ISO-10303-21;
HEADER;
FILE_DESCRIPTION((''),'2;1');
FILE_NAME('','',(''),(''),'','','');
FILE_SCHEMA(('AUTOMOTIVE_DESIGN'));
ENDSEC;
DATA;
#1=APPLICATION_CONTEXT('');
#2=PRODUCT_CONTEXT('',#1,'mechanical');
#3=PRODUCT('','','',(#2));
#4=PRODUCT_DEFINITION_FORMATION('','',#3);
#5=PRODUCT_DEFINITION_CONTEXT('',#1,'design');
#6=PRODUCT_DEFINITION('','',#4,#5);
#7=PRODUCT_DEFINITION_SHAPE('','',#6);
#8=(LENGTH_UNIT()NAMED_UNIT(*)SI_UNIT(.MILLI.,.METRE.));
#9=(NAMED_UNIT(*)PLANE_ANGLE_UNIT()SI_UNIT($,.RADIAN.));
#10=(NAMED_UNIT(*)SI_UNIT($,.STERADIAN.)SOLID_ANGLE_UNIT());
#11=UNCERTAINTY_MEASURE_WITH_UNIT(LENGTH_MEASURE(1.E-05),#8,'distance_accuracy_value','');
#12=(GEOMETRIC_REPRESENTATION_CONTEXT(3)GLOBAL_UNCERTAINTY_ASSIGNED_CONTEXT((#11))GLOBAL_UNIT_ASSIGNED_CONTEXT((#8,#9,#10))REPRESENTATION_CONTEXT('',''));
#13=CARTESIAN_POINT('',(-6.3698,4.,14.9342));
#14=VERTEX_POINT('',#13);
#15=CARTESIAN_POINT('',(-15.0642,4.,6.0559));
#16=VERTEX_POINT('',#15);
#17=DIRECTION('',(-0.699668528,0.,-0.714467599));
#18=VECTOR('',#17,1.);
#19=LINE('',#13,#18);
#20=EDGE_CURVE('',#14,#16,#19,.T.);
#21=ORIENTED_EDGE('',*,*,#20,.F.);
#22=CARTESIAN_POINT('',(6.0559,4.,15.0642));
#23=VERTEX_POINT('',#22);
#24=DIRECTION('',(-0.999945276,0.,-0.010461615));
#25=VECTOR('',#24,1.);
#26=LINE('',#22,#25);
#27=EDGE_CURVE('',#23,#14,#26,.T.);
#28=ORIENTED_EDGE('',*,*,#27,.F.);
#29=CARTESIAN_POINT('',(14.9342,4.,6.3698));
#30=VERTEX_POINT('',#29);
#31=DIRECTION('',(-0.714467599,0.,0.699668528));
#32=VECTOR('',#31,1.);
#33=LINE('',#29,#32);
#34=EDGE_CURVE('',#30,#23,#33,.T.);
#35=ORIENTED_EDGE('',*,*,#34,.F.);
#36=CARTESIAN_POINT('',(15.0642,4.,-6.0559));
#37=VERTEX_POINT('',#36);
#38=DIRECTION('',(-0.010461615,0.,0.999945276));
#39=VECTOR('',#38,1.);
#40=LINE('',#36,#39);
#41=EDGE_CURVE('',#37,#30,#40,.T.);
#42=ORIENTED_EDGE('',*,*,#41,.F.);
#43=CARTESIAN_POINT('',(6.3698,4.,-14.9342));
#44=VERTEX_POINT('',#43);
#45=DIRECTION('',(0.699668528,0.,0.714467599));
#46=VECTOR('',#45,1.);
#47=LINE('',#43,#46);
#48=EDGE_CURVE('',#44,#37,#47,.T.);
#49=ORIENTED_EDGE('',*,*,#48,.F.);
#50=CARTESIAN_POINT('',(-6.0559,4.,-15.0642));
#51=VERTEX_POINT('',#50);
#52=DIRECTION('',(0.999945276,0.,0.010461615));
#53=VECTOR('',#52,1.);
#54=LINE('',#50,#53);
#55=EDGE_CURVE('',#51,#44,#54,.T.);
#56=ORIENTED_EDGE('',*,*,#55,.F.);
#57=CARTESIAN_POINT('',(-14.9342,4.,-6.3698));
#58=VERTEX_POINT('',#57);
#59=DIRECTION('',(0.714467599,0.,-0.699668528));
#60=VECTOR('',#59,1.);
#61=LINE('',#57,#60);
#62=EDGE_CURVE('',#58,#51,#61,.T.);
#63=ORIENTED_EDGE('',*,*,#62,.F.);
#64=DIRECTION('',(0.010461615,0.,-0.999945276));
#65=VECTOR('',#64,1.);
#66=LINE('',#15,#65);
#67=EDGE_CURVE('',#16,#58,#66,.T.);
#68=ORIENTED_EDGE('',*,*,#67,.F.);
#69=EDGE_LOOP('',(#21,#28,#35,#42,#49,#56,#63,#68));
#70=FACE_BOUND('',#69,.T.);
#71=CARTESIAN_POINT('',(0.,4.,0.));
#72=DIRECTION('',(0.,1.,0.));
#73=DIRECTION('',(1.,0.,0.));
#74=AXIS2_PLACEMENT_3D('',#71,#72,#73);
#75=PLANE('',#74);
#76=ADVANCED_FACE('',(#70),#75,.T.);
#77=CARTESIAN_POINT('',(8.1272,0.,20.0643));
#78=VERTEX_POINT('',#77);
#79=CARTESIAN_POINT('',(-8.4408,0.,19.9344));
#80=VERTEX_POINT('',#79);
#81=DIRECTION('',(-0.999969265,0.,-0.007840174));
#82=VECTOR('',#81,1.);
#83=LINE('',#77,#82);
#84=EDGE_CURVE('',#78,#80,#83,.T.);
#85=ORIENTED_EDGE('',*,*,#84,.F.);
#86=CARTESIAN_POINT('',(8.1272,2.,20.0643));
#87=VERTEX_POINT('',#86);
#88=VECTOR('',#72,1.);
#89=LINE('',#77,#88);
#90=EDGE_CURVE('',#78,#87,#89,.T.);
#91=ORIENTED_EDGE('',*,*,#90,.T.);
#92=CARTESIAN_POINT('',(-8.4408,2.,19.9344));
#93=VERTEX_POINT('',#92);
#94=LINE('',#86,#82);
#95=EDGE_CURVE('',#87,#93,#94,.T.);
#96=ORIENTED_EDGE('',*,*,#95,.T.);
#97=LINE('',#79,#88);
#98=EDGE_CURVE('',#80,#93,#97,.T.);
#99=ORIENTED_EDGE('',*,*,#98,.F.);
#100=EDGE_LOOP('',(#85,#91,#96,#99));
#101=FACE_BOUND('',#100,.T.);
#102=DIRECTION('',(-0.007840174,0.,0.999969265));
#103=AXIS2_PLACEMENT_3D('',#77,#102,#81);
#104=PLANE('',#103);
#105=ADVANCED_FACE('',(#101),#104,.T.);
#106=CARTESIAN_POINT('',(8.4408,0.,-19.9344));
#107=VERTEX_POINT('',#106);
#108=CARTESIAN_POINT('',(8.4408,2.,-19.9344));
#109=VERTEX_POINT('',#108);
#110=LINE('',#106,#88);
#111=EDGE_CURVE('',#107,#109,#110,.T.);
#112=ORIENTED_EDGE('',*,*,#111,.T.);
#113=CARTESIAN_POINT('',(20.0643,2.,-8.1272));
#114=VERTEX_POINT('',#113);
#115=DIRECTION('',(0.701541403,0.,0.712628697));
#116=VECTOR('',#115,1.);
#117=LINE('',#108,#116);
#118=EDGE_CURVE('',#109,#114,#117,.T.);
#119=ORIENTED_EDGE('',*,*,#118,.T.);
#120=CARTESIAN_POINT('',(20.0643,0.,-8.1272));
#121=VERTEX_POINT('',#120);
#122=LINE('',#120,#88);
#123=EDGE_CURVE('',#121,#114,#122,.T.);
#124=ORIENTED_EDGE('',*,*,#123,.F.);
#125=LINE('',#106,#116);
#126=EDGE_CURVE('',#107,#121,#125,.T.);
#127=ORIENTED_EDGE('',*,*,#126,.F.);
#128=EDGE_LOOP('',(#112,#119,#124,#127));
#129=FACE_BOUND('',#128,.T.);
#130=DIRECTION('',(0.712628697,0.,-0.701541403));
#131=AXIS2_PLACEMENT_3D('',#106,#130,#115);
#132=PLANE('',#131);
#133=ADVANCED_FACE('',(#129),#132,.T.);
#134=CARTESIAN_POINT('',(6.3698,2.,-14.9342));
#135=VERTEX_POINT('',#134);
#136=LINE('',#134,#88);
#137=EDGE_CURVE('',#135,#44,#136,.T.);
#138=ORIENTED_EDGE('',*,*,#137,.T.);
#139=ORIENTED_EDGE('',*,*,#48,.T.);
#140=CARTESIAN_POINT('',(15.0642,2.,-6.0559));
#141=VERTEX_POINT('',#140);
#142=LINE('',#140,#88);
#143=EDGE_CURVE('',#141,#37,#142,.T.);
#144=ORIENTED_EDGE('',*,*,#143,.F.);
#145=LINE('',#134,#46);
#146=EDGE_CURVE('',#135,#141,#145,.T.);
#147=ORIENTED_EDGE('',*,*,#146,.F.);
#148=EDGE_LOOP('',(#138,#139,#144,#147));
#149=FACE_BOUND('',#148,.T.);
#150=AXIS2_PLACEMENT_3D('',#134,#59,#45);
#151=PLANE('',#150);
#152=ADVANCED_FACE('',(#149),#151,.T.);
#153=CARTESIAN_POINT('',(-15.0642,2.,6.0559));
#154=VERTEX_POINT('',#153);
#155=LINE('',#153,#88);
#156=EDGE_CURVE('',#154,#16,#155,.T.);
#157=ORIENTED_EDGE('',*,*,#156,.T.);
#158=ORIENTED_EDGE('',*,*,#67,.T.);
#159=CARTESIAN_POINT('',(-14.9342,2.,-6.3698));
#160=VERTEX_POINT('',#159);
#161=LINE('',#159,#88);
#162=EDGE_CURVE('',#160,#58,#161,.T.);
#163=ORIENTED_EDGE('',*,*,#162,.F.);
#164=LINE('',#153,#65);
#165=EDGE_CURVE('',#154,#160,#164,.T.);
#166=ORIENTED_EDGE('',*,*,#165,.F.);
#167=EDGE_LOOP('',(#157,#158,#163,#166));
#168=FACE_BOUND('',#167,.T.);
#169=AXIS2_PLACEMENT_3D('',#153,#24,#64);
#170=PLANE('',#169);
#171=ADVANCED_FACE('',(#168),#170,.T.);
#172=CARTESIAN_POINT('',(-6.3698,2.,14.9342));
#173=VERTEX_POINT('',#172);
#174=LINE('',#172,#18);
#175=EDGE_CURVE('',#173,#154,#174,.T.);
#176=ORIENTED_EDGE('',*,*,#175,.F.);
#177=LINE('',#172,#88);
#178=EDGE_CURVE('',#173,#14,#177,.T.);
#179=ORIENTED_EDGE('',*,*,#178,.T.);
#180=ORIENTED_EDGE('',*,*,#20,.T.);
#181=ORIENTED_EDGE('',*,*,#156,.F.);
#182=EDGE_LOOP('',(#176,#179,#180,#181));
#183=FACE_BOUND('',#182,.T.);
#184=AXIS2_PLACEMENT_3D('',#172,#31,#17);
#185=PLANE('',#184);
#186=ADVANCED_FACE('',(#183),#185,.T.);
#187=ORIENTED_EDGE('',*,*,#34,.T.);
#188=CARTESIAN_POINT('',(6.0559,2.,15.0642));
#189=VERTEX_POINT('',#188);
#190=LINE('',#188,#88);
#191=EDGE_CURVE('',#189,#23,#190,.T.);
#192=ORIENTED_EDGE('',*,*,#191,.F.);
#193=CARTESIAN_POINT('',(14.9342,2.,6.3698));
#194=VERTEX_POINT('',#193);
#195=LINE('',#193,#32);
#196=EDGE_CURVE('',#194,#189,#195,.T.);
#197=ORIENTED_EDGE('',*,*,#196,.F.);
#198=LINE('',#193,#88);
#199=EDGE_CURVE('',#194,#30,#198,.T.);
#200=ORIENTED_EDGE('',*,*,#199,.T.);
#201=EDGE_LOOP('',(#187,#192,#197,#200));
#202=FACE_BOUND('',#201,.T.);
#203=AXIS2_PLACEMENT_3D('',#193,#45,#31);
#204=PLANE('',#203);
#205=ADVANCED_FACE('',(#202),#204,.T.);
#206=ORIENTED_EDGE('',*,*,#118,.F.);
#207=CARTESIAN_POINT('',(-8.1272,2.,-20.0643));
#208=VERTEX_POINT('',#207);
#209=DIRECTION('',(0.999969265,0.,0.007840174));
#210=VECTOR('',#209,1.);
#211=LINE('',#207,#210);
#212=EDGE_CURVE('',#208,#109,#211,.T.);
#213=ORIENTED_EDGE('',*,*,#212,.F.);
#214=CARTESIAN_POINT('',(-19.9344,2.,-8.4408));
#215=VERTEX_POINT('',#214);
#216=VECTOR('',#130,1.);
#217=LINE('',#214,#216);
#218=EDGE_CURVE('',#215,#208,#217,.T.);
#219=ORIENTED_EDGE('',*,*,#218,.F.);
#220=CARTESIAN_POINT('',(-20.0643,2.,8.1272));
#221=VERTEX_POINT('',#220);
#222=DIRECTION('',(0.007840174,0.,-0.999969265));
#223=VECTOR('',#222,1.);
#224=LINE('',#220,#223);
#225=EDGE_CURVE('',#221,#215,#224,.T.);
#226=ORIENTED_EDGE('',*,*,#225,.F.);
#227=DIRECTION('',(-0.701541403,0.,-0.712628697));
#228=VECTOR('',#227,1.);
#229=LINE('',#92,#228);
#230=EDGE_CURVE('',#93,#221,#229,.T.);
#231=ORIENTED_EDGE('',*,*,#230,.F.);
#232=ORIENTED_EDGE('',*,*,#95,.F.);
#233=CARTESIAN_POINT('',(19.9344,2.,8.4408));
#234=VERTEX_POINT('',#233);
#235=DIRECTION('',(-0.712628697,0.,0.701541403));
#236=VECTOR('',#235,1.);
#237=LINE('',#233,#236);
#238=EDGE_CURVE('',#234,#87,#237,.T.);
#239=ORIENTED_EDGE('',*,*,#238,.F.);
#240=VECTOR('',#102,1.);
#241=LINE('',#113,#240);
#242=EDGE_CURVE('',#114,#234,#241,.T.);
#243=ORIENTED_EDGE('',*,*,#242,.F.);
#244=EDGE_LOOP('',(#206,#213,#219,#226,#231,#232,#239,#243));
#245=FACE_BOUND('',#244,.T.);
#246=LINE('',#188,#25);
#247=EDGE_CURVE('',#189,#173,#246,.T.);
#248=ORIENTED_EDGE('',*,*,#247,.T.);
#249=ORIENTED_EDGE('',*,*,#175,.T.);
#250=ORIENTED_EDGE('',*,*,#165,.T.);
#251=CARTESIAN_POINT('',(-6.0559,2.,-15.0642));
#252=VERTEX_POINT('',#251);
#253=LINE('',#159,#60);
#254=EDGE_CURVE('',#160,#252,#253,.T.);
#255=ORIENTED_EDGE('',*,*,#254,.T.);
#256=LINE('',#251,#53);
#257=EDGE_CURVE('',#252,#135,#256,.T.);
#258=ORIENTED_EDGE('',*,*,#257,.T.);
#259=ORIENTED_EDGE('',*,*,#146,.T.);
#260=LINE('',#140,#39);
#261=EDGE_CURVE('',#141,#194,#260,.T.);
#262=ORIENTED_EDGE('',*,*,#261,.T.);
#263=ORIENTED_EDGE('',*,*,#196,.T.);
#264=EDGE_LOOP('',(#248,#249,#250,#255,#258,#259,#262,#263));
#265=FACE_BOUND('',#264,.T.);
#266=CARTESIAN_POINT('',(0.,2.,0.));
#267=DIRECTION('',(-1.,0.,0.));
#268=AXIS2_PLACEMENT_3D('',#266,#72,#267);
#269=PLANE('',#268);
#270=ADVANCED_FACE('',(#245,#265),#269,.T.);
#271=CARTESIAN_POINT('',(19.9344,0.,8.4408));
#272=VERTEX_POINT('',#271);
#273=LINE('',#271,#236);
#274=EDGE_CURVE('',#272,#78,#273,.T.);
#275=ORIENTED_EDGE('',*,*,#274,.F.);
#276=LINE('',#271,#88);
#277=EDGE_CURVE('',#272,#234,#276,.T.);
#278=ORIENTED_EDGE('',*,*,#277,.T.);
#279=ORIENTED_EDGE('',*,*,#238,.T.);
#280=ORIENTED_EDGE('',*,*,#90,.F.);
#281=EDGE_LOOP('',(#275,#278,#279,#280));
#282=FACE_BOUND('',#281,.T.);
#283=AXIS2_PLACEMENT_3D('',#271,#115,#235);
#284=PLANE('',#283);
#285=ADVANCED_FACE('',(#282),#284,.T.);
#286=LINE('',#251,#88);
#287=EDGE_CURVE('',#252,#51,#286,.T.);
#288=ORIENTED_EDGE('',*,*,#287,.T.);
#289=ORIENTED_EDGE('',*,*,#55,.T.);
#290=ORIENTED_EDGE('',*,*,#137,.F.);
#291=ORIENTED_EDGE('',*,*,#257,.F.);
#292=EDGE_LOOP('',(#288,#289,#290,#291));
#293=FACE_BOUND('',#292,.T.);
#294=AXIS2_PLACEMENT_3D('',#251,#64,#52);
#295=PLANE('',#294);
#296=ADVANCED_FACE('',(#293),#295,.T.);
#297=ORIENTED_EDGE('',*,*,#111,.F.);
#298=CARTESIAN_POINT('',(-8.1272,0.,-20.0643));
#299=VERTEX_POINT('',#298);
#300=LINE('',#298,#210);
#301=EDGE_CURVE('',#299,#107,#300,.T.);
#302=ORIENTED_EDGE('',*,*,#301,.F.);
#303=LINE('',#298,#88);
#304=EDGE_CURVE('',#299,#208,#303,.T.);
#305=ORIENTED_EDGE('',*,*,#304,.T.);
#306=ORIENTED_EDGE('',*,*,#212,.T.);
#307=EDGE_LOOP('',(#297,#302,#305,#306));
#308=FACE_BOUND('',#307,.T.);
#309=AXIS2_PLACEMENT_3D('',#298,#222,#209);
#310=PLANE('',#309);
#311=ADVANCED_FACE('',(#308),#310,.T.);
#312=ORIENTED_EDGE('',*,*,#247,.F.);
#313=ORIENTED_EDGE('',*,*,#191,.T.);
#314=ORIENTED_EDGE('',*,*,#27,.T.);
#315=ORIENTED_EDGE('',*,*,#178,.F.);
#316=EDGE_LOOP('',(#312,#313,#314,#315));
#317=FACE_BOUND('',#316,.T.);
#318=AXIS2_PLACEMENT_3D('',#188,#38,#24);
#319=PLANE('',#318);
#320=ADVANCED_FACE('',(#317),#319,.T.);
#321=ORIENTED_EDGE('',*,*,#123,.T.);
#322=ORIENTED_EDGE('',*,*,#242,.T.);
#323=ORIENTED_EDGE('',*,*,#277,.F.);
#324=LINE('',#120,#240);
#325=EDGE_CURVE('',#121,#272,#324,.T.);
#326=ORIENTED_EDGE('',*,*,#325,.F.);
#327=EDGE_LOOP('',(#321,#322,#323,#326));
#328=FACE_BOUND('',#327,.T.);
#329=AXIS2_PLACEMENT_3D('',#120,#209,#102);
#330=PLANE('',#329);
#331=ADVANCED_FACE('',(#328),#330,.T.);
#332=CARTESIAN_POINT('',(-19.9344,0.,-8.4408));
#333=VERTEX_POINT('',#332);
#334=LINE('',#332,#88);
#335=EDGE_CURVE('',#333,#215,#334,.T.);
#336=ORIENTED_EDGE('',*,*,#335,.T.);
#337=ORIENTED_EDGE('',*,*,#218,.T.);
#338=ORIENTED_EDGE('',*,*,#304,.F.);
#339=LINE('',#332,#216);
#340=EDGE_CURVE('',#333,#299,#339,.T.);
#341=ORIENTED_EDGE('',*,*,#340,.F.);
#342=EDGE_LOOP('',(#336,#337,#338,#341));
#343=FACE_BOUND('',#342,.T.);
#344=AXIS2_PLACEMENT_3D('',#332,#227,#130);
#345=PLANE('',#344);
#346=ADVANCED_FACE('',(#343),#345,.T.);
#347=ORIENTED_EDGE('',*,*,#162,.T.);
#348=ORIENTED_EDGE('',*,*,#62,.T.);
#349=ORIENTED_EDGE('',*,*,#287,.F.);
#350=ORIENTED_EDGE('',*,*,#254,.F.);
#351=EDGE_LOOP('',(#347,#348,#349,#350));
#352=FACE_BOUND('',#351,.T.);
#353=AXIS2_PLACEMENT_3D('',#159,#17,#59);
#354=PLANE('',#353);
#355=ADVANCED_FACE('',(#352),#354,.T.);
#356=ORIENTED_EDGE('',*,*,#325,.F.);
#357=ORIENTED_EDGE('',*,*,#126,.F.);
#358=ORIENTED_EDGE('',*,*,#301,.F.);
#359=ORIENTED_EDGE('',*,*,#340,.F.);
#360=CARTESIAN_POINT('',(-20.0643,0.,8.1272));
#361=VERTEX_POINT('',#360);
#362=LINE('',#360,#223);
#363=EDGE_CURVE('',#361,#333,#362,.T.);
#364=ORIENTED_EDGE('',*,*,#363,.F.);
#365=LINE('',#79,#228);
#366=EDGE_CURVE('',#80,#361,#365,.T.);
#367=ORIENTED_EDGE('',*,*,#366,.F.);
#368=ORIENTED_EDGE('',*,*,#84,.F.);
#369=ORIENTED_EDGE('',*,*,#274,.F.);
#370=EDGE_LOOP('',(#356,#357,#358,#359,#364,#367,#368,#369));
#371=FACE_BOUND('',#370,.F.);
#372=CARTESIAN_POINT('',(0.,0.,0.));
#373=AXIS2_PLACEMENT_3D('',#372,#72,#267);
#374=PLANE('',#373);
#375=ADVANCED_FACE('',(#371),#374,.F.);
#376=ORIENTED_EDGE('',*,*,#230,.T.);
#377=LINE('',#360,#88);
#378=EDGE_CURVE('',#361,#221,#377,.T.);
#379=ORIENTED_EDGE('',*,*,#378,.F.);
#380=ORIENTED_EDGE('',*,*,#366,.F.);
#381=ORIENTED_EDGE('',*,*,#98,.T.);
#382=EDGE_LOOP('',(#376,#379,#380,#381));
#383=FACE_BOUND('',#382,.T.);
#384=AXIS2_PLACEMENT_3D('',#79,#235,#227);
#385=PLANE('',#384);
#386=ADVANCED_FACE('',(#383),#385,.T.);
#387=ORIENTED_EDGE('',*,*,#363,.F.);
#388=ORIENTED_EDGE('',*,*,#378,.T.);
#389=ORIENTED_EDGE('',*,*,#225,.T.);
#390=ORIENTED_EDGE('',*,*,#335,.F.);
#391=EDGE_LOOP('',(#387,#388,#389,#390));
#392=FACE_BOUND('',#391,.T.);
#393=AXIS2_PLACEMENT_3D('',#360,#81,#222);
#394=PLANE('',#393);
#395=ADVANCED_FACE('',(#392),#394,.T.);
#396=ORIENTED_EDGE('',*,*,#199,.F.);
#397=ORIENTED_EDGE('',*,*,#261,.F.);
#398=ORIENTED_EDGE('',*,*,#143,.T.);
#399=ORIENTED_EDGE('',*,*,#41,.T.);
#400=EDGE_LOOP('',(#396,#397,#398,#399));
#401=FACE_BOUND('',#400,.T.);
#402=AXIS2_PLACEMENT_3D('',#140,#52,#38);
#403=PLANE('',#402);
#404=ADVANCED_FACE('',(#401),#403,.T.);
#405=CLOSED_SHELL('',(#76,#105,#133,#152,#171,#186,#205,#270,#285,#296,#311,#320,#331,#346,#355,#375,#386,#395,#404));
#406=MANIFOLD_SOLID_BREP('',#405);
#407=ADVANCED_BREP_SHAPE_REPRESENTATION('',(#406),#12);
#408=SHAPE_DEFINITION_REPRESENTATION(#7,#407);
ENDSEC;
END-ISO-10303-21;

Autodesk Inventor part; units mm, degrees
ref_plane "YZ Plane" through (0, 0, 0) normal (1, 0, 0) x (0, 1, 0)
ref_plane "XZ Plane" through (0, 0, 0) normal (0, 1, 0) x (-1, 0, 0)
ref_plane "XY Plane" through (0, 0, 0) normal (0, 0, 1) x (1, 0, 0)
sketch "Sketch1" plane through (0, 0, 0) normal (0, 1, 0) x (-1, 0, 0)
  line L0 (20.0643, 8.1272) -> (19.9344, -8.4408)
  line L1 (19.9344, -8.4408) -> (8.1272, -20.0643)
  line L2 (8.1272, -20.0643) -> (-8.4408, -19.9344)
  line L3 (-8.4408, -19.9344) -> (-20.0643, -8.1272)
  line L4 (-20.0643, -8.1272) -> (-19.9344, 8.4408)
  line L5 (-19.9344, 8.4408) -> (-8.1272, 20.0643)
  line L6 (-8.1272, 20.0643) -> (8.4408, 19.9344)
  line L7 (8.4408, 19.9344) -> (20.0643, 8.1272)
  point P0 (0, 0)
  point P1 (0, 0)
  dimension "d0" = 20
  dimension "d1" = 16.568
extrude "Extrusion1" add sketch "Sketch1" along normal blind 2
sketch "Sketch2" plane through (0, 2, 0) normal (0, 1, 0) x (1, 0, 0)
  line L0 (15.0642, 6.0559) -> (14.9342, -6.3698)
  line L1 (14.9342, -6.3698) -> (6.0559, -15.0642)
  line L2 (6.0559, -15.0642) -> (-6.3698, -14.9342)
  line L3 (-6.3698, -14.9342) -> (-15.0642, -6.0559)
  line L4 (-15.0642, -6.0559) -> (-14.9342, 6.3698)
  line L5 (-14.9342, 6.3698) -> (-6.0559, 15.0642)
  line L6 (-6.0559, 15.0642) -> (6.3698, 14.9342)
  line L7 (6.3698, 14.9342) -> (15.0642, 6.0559)
  point P0 (0, 0)
  point P1 (0, 0)
  dimension "d4" = 15
  dimension "d5" = 12.4257
extrude "Extrusion2" add sketch "Sketch2" along normal blind 2
properties part number "oktagonUnten"
